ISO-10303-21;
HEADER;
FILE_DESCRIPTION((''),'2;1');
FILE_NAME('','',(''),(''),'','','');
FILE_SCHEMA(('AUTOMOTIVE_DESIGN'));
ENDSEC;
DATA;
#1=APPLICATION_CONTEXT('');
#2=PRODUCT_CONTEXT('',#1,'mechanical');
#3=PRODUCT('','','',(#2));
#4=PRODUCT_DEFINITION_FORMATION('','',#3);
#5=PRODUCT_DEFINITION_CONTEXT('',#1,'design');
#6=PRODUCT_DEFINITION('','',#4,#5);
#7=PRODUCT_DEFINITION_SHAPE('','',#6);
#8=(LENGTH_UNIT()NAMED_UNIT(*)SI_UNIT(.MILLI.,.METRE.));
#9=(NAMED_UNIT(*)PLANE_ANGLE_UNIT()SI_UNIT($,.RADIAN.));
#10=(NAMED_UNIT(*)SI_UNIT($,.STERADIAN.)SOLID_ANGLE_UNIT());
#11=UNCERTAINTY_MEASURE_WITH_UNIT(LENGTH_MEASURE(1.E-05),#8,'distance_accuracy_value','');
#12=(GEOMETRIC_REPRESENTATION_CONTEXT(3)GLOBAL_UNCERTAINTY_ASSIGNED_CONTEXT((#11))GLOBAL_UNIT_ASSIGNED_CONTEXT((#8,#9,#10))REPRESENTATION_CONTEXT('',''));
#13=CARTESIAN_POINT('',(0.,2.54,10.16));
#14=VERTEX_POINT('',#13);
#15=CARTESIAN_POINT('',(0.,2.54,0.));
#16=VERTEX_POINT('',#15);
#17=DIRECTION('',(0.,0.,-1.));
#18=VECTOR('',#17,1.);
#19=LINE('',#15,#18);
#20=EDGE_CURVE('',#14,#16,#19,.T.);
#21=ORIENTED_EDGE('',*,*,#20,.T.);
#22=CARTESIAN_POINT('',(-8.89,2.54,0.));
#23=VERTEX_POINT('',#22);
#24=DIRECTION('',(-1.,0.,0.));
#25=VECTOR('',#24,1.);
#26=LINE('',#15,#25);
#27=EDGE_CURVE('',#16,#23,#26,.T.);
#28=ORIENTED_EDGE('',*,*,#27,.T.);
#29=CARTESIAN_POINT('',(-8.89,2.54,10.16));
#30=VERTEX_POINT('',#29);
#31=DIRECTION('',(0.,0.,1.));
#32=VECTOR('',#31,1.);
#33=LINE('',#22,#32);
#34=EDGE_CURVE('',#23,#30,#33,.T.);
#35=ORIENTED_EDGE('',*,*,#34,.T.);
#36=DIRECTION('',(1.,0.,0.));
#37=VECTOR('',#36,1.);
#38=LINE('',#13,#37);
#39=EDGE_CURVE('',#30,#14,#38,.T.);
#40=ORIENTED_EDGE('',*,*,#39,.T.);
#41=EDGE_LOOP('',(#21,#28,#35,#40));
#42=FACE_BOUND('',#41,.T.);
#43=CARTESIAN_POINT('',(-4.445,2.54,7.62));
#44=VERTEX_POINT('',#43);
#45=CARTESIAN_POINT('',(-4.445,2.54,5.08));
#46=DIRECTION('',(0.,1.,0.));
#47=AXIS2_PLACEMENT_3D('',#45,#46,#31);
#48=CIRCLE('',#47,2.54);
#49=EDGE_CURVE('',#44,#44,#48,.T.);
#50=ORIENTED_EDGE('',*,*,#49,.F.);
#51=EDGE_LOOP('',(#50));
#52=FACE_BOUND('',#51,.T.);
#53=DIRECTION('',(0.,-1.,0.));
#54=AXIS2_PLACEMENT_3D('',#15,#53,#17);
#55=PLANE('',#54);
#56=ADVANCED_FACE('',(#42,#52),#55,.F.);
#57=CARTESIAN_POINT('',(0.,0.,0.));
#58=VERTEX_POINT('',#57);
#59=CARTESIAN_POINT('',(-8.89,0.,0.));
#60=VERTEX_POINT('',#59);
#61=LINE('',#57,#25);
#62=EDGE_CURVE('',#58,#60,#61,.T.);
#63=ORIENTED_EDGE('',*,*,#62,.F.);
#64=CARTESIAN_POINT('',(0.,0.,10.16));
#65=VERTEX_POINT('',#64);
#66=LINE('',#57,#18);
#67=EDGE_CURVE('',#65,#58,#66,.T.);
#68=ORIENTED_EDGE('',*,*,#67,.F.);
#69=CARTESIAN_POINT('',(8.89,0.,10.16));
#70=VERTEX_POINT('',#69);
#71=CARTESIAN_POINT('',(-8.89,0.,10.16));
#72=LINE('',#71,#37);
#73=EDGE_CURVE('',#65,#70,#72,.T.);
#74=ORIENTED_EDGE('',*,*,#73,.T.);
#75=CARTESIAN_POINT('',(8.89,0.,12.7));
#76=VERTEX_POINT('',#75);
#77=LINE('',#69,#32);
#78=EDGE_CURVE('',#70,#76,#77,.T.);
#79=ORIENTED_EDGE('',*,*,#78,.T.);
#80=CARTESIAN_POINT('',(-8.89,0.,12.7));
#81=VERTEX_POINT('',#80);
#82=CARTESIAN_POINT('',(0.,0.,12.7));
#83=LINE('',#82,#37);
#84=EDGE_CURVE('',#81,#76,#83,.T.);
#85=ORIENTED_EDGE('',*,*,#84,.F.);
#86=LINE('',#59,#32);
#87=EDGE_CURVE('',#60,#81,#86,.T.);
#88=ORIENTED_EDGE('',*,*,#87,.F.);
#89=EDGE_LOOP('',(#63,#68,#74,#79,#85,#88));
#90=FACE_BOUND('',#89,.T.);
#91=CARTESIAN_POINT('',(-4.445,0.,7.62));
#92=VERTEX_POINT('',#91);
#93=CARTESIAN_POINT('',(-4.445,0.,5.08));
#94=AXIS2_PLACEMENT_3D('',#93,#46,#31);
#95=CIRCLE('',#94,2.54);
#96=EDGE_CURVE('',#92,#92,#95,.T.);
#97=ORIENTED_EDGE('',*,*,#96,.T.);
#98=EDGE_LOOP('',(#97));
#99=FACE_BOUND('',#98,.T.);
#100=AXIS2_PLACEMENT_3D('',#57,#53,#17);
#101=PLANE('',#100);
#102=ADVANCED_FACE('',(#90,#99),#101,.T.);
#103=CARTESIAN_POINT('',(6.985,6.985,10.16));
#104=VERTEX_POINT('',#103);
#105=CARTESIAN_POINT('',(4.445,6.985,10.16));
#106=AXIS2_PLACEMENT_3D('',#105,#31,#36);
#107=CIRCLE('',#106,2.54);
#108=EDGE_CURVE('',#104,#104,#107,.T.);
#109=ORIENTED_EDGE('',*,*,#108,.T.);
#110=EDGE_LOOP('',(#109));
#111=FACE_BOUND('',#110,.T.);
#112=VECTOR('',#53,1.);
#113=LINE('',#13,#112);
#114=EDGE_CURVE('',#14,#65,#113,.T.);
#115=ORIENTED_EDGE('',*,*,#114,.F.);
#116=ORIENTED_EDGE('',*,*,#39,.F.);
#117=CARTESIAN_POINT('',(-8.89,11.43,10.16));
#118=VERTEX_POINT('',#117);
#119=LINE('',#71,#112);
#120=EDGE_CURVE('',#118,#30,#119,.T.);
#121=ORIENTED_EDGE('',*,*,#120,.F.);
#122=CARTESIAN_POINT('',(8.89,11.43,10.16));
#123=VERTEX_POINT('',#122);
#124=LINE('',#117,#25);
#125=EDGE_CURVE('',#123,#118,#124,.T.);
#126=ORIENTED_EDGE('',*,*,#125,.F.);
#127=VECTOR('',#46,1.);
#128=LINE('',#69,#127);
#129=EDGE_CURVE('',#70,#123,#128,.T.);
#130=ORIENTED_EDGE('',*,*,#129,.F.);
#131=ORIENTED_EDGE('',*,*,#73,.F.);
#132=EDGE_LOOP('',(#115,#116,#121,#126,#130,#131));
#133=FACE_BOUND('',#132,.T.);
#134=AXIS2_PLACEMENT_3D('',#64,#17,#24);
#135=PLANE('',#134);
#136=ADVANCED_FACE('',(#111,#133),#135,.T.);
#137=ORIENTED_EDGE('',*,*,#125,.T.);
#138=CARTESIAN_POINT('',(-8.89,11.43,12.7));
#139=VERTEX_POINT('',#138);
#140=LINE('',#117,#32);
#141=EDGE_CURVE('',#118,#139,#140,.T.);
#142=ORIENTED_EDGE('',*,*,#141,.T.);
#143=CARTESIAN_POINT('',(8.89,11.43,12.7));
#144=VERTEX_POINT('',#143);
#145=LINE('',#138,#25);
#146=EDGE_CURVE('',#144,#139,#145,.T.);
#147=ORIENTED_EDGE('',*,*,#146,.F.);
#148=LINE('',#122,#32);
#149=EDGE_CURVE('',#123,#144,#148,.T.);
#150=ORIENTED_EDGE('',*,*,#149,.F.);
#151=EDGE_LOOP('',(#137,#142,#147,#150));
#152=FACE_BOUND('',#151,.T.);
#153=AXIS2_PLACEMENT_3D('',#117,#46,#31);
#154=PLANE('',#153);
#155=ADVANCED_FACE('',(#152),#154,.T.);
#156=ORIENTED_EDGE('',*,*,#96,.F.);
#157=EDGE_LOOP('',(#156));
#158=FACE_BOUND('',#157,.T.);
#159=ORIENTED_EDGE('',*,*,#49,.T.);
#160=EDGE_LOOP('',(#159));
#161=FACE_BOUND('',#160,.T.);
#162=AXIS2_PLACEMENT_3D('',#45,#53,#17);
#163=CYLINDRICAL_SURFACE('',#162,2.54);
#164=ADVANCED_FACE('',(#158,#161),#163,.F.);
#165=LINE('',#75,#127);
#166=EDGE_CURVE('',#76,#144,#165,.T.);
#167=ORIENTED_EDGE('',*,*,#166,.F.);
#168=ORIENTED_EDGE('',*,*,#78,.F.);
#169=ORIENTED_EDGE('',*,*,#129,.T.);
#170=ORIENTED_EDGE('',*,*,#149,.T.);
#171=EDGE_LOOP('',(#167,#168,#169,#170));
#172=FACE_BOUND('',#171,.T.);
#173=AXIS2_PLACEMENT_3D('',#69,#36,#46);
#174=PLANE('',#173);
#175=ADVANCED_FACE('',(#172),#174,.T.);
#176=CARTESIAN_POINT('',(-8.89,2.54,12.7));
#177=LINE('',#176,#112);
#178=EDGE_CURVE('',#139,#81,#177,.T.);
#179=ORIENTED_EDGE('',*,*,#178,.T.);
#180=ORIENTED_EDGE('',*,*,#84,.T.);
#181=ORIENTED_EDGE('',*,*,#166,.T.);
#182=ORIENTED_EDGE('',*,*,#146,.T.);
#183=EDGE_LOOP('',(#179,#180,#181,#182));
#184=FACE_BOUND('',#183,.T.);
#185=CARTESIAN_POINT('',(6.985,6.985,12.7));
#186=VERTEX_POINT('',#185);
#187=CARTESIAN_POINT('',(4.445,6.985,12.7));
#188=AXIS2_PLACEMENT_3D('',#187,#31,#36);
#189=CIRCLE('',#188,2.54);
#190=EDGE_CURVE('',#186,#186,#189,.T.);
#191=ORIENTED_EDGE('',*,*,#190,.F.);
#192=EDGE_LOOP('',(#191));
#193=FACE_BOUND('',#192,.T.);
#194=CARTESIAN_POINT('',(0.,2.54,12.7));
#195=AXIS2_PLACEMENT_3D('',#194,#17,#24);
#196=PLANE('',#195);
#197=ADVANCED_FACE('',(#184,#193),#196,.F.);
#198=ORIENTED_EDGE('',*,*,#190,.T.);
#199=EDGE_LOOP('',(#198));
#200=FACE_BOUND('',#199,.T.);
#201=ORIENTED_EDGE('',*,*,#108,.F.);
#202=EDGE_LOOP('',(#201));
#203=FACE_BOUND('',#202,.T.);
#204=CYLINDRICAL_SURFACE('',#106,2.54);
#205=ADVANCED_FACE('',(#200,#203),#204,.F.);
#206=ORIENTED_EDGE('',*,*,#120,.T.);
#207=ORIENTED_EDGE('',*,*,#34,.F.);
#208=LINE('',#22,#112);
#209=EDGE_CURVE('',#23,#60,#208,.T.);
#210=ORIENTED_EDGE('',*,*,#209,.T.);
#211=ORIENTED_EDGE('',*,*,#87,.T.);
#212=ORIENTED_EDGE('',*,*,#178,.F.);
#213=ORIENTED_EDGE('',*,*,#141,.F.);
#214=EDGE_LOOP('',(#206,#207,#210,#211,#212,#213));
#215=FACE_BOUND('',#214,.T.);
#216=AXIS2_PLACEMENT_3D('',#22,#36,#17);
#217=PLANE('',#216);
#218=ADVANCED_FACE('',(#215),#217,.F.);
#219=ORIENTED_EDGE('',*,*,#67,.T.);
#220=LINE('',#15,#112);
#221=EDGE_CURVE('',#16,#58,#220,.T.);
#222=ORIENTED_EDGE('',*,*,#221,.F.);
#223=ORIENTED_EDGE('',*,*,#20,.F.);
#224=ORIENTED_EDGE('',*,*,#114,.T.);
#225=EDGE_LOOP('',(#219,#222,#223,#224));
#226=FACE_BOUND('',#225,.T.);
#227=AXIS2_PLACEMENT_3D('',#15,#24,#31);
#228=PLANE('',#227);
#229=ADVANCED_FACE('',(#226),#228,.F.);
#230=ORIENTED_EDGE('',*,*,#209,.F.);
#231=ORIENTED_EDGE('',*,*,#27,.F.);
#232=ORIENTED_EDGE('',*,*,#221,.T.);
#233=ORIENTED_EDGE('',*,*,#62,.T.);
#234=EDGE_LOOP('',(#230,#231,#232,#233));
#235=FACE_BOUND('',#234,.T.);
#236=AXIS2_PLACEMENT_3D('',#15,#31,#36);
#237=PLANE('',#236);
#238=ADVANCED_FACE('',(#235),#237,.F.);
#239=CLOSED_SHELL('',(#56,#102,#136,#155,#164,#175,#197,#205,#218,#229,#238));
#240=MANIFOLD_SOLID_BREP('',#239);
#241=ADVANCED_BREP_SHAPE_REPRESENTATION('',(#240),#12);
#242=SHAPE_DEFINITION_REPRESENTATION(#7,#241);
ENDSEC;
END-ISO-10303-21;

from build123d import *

# Parameters (mm, degrees)
SKETCH1_W           = 8.89
SKETCH1_H           = 12.7
SKETCH1_R           = 2.54
BOSS_EXTRUDE1_DEPTH = 2.54
SKETCH2_W           = 17.78
SKETCH2_H           = 11.43
SKETCH2_R           = 2.54
BOSS_EXTRUDE2_DEPTH = 2.54


with BuildPart() as part:
    # Sketch1 → Boss-Extrude1 (new body)
    with BuildSketch(Plane(origin=(0, 0, 0), x_dir=(1, 0, 0), z_dir=(0, 1, 0))):
        with Locations((-4.445, -6.35)):
            Rectangle(SKETCH1_W, SKETCH1_H)
        with Locations((-4.445, -5.08)):
            Circle(SKETCH1_R, mode=Mode.SUBTRACT)
    extrude(amount=BOSS_EXTRUDE1_DEPTH)

    # Sketch2 → Boss-Extrude2 (add)
    with BuildSketch(Plane.XY.offset(12.7)):
        with Locations((0, 5.715)):
            Rectangle(SKETCH2_W, SKETCH2_H)
        with Locations((4.445, 6.985)):
            Circle(SKETCH2_R, mode=Mode.SUBTRACT)
    extrude(amount=-BOSS_EXTRUDE2_DEPTH)


solid = part.part
